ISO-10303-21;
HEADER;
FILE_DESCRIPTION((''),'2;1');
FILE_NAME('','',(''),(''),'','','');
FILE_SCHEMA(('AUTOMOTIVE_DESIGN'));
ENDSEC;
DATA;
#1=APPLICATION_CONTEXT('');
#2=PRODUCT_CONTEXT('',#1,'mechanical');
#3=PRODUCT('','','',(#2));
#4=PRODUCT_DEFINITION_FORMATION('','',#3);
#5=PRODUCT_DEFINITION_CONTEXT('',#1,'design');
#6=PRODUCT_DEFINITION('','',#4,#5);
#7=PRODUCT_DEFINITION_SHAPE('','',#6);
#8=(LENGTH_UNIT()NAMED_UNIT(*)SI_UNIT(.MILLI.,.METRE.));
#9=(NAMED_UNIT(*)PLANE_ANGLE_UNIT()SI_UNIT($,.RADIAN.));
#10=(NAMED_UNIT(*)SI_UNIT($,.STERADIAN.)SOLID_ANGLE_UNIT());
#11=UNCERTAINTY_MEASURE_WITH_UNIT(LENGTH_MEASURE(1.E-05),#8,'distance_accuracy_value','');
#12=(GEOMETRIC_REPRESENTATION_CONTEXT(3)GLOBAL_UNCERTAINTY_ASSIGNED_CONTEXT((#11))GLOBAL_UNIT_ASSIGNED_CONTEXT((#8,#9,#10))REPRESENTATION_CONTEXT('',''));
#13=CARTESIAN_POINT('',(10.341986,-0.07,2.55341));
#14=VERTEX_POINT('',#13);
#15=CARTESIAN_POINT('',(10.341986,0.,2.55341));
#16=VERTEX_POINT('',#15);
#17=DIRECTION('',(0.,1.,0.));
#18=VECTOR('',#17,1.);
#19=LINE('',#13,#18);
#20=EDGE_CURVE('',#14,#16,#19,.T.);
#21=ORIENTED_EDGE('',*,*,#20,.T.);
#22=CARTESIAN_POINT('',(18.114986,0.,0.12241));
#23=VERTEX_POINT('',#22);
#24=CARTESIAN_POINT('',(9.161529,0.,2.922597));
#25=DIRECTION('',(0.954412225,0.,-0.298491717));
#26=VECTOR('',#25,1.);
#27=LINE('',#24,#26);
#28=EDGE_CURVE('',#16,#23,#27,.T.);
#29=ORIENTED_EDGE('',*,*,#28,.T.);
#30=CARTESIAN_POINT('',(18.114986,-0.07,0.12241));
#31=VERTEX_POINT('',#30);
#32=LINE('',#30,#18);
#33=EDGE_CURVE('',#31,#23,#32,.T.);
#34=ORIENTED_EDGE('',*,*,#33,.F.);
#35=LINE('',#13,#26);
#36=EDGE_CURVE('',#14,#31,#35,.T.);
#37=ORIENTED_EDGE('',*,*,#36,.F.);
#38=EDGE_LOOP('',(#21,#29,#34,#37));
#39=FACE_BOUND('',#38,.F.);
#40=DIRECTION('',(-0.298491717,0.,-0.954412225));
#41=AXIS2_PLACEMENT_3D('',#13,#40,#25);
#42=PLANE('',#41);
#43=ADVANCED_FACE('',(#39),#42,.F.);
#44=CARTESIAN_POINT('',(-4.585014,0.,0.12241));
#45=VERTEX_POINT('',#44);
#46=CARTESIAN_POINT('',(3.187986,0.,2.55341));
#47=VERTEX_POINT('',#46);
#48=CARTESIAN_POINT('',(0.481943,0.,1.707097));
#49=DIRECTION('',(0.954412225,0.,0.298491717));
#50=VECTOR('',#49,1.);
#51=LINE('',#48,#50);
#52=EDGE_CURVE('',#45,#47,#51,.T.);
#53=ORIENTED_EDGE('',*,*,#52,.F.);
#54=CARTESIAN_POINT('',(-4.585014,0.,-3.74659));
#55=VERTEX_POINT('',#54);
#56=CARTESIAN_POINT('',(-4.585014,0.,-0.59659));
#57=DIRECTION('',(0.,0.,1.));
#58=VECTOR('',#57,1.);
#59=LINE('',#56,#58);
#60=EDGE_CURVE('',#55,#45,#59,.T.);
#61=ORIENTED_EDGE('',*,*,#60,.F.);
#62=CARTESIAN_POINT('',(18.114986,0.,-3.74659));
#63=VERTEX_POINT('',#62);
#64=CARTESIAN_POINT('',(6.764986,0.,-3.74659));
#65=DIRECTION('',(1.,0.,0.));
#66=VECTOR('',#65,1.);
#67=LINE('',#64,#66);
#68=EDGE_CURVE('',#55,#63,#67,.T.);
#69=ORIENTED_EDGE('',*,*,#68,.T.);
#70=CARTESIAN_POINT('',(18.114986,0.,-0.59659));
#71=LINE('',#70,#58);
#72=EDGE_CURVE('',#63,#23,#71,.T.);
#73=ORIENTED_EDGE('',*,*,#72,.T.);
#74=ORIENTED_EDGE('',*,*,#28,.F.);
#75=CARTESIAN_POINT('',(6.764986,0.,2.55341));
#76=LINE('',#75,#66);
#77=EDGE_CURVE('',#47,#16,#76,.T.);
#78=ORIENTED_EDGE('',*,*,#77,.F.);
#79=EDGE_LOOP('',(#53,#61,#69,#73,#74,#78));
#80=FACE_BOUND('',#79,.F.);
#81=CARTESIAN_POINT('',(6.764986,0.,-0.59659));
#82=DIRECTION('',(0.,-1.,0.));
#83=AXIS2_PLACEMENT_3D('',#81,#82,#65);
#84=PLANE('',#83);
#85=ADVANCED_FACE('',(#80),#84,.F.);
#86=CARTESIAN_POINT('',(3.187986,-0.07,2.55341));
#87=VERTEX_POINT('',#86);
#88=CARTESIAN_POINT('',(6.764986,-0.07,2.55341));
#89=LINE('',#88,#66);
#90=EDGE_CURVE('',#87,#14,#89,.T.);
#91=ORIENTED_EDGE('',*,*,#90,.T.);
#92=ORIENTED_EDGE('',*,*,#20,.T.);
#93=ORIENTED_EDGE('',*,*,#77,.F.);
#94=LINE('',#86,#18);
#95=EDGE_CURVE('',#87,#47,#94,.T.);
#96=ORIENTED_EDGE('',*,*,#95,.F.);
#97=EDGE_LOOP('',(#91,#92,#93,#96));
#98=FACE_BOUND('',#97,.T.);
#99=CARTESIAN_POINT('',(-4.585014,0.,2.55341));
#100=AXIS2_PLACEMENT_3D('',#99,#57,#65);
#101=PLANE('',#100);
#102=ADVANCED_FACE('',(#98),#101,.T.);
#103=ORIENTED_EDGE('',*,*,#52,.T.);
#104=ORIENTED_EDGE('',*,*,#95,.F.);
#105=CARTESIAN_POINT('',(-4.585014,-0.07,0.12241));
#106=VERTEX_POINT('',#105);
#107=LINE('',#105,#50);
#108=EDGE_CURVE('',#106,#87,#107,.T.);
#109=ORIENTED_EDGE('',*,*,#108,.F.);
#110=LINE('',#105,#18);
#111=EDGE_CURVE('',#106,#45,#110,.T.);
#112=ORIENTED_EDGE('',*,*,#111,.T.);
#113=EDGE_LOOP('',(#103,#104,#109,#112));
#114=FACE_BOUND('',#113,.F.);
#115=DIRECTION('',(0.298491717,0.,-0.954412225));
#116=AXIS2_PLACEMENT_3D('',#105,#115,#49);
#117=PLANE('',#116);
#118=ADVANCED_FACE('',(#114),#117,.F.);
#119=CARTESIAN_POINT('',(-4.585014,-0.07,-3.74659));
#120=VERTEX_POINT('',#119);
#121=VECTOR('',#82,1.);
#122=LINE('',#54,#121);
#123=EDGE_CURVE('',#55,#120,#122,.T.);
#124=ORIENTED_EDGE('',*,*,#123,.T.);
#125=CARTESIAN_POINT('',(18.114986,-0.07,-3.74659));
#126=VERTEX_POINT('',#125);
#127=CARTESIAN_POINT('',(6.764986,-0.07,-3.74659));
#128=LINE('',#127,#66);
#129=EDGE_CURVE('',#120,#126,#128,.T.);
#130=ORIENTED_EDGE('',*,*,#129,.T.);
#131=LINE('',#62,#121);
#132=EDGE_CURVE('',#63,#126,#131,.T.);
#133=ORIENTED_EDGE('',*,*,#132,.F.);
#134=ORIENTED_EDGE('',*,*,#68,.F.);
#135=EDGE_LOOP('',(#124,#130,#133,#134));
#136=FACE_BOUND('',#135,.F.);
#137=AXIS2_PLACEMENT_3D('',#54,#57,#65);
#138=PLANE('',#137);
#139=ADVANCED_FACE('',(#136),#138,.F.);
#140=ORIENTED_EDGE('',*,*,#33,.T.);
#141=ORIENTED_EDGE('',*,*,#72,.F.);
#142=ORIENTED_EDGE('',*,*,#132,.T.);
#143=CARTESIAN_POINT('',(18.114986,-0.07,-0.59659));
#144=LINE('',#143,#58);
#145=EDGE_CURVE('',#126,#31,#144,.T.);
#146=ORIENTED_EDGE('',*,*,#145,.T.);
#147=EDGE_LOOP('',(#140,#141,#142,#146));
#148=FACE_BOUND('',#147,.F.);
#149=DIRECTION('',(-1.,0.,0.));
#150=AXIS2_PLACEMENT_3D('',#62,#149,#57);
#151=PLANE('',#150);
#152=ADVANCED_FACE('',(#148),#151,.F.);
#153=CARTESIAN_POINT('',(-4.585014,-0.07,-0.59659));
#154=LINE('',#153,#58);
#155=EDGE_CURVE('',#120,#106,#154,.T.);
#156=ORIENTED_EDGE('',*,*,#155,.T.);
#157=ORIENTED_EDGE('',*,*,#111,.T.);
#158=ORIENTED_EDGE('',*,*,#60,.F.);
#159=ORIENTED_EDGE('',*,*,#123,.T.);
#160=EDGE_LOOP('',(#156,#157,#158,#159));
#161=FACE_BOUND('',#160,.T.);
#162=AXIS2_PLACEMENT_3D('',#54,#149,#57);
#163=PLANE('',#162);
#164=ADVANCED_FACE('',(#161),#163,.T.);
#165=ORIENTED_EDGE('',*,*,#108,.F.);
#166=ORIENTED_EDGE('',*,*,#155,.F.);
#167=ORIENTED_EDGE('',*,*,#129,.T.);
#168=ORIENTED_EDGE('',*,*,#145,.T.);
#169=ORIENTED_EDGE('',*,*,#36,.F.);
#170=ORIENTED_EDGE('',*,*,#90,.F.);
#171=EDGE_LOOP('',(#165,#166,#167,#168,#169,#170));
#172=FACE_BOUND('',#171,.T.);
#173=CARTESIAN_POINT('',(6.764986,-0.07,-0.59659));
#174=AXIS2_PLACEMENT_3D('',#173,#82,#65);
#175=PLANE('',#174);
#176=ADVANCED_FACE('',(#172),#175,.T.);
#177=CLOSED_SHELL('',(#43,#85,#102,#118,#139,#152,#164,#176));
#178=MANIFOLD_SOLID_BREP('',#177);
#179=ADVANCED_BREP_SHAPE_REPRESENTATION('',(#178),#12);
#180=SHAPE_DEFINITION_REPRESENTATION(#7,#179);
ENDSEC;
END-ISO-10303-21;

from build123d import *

# Parameters (mm, degrees)
F0_W     = 22.7
F0_H     = 6.3
F1_DEPTH = 0.07
F3_DEPTH = 25


with BuildPart() as f1:
    # F0 (on Front) → F1 (new body)
    with BuildSketch(Plane.XZ):
        with Locations((6.764986, -0.59659)):
            Rectangle(F0_W, F0_H)
    extrude(amount=F1_DEPTH)

    # F2 (on face) → F3 (cut)
    with BuildSketch(Plane.XZ.offset(0.07)):
        Polygon((-4.585014, 2.55341), (-4.585014, 0.12241), (3.187986, 2.55341), align=None)
        Polygon((18.114986, 2.55341), (10.341986, 2.55341), (18.114986, 0.12241), align=None)
    extrude(amount=-F3_DEPTH, mode=Mode.SUBTRACT)


solid = f1.part
